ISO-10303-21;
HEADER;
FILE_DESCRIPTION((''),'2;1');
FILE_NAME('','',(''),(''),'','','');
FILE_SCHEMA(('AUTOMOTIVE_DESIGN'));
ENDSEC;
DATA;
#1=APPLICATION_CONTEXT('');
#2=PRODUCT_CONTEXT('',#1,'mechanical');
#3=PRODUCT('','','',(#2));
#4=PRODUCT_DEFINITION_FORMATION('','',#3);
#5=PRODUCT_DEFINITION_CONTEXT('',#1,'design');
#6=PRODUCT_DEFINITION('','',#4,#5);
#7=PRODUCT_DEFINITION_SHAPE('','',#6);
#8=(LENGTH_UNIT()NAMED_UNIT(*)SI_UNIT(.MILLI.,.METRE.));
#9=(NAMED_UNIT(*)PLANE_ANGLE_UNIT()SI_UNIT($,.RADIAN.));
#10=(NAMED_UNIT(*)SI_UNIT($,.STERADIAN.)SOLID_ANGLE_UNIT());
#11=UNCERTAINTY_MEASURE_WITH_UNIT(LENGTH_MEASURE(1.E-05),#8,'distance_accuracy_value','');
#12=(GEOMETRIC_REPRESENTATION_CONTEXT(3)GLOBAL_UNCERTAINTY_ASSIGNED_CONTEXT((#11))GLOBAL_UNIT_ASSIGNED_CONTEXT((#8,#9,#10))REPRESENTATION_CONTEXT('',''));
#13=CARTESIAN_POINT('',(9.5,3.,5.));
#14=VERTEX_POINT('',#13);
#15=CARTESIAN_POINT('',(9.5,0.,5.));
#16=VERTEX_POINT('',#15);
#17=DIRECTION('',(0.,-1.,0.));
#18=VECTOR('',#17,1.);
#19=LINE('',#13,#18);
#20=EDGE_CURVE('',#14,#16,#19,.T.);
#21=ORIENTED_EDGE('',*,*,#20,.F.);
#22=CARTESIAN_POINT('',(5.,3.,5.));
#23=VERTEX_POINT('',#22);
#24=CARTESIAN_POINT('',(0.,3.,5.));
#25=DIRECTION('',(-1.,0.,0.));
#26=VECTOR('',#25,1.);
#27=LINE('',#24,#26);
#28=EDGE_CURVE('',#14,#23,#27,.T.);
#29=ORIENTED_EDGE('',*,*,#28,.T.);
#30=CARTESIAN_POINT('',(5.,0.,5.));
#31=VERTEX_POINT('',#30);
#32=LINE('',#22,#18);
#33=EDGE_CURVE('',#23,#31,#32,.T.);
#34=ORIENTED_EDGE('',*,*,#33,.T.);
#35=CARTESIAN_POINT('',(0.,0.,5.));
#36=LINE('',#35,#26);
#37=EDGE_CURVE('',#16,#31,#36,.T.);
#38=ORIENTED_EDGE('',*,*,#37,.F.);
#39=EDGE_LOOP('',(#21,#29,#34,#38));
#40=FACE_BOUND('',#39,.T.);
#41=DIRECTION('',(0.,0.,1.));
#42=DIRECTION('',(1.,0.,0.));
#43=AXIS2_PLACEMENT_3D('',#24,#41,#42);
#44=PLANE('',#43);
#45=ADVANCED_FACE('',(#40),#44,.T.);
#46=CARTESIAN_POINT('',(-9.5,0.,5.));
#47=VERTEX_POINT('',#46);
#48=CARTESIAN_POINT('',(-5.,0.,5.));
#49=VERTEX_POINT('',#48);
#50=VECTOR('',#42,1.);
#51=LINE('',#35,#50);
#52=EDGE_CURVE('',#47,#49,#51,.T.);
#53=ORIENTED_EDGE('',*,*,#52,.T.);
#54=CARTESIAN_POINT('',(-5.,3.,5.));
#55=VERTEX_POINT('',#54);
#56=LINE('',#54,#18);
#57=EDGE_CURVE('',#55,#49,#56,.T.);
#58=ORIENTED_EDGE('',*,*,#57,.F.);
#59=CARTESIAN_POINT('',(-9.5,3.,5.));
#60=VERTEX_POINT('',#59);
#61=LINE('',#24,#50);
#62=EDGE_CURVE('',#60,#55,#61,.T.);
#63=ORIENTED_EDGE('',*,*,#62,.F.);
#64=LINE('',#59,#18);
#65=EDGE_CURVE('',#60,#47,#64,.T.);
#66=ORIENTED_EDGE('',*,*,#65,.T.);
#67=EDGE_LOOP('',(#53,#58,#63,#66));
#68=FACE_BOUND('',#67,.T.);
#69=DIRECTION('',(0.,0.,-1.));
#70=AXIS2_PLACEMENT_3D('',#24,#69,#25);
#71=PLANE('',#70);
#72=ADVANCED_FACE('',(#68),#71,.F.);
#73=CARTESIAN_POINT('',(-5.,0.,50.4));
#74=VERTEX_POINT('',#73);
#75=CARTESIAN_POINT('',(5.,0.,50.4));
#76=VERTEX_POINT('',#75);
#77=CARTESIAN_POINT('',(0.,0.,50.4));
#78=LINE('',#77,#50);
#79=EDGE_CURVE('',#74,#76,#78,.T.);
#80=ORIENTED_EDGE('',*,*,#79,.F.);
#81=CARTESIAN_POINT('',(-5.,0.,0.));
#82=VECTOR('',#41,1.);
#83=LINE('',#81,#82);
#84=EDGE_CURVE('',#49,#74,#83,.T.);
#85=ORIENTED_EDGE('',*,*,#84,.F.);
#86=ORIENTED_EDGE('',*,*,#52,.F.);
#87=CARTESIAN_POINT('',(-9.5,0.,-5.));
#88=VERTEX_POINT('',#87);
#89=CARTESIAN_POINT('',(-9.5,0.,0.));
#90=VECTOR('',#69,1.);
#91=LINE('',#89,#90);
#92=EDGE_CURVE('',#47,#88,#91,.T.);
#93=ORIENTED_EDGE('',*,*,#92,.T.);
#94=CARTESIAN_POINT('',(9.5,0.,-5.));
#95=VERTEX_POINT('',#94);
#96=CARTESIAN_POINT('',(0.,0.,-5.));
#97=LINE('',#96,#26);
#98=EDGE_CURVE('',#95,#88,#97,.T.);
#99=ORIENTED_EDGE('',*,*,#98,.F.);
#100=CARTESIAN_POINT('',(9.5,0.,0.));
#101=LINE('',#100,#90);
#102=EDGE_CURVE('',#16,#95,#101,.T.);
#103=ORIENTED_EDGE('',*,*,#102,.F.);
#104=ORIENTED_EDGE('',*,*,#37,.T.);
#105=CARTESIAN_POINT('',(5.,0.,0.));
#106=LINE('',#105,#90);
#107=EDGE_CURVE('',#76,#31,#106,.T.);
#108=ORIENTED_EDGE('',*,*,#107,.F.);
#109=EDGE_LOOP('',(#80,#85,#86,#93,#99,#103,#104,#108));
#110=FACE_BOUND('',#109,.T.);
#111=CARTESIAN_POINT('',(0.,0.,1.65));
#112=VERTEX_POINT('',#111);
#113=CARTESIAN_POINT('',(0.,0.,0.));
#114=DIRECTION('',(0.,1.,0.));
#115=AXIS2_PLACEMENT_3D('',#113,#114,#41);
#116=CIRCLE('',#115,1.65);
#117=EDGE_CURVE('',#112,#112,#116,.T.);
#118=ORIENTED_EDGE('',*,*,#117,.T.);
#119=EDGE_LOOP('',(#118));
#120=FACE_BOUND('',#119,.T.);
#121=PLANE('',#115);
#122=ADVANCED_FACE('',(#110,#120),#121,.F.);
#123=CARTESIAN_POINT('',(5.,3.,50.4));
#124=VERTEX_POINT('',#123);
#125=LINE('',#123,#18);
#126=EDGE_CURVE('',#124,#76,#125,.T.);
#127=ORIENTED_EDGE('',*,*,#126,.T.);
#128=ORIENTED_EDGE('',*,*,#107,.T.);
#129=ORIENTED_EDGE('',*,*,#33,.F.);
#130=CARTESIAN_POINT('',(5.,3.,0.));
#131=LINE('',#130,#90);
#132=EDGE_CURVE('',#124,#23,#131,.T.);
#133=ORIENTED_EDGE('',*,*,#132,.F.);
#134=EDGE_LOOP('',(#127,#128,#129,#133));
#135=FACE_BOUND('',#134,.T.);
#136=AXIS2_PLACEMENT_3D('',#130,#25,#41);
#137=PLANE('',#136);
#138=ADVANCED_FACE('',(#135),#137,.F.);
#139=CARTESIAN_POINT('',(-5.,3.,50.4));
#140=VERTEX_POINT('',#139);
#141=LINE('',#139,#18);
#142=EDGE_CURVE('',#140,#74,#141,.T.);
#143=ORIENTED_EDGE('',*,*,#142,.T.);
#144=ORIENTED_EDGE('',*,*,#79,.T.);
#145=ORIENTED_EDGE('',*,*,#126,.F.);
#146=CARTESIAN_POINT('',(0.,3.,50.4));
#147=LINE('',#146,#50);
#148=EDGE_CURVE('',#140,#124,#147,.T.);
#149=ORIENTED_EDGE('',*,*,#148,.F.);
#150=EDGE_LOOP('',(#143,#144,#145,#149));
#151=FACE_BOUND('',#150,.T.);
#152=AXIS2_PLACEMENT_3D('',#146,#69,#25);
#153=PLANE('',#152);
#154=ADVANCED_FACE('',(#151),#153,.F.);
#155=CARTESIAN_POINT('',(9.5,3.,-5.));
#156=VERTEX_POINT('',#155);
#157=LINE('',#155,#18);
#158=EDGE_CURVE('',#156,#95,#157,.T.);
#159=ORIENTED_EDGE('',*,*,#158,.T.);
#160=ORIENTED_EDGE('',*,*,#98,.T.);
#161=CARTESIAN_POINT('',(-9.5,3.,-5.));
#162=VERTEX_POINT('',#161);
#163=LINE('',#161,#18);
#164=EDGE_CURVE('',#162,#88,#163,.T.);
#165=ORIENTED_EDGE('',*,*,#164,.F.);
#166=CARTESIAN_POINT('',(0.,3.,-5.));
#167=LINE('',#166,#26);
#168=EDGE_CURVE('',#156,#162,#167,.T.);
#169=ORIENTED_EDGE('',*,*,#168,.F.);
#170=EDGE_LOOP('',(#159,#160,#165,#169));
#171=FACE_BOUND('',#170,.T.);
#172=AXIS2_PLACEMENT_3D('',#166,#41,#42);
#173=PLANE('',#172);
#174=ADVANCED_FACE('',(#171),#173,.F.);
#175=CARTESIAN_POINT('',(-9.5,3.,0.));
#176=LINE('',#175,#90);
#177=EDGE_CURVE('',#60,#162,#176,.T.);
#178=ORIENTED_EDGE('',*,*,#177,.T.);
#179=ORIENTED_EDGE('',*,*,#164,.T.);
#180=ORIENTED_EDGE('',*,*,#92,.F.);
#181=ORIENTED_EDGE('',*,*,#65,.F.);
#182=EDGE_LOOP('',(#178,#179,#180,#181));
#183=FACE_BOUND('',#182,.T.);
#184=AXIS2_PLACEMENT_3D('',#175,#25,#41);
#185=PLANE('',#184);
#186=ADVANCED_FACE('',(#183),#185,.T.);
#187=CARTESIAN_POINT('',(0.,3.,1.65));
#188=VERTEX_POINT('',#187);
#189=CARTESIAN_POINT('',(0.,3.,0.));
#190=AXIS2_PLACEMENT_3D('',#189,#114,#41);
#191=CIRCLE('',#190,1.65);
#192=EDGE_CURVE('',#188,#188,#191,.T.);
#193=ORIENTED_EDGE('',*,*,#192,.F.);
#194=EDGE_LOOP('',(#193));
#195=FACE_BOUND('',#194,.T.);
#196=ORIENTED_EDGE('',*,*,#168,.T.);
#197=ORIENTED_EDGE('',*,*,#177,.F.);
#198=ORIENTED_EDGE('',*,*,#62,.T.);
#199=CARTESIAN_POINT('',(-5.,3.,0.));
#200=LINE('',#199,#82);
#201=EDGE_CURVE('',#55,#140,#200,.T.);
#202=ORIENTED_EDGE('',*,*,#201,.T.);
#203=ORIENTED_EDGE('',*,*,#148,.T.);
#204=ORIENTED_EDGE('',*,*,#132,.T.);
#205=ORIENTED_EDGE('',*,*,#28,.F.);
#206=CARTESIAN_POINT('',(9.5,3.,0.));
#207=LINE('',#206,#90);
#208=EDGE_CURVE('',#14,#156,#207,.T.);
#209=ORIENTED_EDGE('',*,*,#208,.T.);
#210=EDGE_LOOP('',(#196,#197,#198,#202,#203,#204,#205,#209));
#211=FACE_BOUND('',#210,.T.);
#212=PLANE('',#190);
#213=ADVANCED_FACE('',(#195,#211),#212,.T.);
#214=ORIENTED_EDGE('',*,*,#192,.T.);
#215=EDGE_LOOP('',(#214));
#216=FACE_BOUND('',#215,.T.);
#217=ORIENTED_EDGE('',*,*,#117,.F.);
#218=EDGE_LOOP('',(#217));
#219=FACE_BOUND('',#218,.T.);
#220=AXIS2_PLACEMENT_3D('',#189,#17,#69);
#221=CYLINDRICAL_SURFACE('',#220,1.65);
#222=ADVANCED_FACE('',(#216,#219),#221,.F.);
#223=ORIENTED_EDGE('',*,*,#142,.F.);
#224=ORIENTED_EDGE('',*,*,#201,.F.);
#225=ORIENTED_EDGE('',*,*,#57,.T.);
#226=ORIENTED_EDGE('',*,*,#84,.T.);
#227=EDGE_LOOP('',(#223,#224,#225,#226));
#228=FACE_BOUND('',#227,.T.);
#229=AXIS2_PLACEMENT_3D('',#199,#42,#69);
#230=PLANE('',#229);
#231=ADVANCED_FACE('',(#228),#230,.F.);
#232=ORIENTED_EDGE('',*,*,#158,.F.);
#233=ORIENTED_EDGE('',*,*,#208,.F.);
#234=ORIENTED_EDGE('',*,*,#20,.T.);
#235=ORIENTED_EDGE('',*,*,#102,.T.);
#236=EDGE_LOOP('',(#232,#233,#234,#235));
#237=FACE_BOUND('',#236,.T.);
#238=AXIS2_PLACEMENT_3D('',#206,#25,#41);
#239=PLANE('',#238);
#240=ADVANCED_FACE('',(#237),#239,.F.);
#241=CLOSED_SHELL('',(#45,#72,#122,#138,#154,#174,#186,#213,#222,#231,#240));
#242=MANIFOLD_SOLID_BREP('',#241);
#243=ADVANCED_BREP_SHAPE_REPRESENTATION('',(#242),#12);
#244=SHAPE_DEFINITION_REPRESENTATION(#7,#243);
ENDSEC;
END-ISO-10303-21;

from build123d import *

# Parameters (mm, degrees)
SKETCH1_W           = 10
SKETCH1_H           = 55.4
SKETCH1_R           = 1.65
SKETCH1_W_2         = 4.5
SKETCH1_H_2         = 10
BOSS_EXTRUDE1_DEPTH = 3


with BuildPart() as part:
    # Sketch1 → Boss-Extrude1 (new body)
    with BuildSketch(Plane(origin=(0, 0, 0), x_dir=(1, 0, 0), z_dir=(0, 1, 0))):
        with Locations((0, -22.7)):
            Rectangle(SKETCH1_W, SKETCH1_H)
        Circle(SKETCH1_R, mode=Mode.SUBTRACT)
        with Locations((-7.25, 0)):
            Rectangle(SKETCH1_W_2, SKETCH1_H_2)
        with Locations((7.25, 0)):
            Rectangle(SKETCH1_W_2, SKETCH1_H_2)
    extrude(amount=BOSS_EXTRUDE1_DEPTH)


solid = part.part
